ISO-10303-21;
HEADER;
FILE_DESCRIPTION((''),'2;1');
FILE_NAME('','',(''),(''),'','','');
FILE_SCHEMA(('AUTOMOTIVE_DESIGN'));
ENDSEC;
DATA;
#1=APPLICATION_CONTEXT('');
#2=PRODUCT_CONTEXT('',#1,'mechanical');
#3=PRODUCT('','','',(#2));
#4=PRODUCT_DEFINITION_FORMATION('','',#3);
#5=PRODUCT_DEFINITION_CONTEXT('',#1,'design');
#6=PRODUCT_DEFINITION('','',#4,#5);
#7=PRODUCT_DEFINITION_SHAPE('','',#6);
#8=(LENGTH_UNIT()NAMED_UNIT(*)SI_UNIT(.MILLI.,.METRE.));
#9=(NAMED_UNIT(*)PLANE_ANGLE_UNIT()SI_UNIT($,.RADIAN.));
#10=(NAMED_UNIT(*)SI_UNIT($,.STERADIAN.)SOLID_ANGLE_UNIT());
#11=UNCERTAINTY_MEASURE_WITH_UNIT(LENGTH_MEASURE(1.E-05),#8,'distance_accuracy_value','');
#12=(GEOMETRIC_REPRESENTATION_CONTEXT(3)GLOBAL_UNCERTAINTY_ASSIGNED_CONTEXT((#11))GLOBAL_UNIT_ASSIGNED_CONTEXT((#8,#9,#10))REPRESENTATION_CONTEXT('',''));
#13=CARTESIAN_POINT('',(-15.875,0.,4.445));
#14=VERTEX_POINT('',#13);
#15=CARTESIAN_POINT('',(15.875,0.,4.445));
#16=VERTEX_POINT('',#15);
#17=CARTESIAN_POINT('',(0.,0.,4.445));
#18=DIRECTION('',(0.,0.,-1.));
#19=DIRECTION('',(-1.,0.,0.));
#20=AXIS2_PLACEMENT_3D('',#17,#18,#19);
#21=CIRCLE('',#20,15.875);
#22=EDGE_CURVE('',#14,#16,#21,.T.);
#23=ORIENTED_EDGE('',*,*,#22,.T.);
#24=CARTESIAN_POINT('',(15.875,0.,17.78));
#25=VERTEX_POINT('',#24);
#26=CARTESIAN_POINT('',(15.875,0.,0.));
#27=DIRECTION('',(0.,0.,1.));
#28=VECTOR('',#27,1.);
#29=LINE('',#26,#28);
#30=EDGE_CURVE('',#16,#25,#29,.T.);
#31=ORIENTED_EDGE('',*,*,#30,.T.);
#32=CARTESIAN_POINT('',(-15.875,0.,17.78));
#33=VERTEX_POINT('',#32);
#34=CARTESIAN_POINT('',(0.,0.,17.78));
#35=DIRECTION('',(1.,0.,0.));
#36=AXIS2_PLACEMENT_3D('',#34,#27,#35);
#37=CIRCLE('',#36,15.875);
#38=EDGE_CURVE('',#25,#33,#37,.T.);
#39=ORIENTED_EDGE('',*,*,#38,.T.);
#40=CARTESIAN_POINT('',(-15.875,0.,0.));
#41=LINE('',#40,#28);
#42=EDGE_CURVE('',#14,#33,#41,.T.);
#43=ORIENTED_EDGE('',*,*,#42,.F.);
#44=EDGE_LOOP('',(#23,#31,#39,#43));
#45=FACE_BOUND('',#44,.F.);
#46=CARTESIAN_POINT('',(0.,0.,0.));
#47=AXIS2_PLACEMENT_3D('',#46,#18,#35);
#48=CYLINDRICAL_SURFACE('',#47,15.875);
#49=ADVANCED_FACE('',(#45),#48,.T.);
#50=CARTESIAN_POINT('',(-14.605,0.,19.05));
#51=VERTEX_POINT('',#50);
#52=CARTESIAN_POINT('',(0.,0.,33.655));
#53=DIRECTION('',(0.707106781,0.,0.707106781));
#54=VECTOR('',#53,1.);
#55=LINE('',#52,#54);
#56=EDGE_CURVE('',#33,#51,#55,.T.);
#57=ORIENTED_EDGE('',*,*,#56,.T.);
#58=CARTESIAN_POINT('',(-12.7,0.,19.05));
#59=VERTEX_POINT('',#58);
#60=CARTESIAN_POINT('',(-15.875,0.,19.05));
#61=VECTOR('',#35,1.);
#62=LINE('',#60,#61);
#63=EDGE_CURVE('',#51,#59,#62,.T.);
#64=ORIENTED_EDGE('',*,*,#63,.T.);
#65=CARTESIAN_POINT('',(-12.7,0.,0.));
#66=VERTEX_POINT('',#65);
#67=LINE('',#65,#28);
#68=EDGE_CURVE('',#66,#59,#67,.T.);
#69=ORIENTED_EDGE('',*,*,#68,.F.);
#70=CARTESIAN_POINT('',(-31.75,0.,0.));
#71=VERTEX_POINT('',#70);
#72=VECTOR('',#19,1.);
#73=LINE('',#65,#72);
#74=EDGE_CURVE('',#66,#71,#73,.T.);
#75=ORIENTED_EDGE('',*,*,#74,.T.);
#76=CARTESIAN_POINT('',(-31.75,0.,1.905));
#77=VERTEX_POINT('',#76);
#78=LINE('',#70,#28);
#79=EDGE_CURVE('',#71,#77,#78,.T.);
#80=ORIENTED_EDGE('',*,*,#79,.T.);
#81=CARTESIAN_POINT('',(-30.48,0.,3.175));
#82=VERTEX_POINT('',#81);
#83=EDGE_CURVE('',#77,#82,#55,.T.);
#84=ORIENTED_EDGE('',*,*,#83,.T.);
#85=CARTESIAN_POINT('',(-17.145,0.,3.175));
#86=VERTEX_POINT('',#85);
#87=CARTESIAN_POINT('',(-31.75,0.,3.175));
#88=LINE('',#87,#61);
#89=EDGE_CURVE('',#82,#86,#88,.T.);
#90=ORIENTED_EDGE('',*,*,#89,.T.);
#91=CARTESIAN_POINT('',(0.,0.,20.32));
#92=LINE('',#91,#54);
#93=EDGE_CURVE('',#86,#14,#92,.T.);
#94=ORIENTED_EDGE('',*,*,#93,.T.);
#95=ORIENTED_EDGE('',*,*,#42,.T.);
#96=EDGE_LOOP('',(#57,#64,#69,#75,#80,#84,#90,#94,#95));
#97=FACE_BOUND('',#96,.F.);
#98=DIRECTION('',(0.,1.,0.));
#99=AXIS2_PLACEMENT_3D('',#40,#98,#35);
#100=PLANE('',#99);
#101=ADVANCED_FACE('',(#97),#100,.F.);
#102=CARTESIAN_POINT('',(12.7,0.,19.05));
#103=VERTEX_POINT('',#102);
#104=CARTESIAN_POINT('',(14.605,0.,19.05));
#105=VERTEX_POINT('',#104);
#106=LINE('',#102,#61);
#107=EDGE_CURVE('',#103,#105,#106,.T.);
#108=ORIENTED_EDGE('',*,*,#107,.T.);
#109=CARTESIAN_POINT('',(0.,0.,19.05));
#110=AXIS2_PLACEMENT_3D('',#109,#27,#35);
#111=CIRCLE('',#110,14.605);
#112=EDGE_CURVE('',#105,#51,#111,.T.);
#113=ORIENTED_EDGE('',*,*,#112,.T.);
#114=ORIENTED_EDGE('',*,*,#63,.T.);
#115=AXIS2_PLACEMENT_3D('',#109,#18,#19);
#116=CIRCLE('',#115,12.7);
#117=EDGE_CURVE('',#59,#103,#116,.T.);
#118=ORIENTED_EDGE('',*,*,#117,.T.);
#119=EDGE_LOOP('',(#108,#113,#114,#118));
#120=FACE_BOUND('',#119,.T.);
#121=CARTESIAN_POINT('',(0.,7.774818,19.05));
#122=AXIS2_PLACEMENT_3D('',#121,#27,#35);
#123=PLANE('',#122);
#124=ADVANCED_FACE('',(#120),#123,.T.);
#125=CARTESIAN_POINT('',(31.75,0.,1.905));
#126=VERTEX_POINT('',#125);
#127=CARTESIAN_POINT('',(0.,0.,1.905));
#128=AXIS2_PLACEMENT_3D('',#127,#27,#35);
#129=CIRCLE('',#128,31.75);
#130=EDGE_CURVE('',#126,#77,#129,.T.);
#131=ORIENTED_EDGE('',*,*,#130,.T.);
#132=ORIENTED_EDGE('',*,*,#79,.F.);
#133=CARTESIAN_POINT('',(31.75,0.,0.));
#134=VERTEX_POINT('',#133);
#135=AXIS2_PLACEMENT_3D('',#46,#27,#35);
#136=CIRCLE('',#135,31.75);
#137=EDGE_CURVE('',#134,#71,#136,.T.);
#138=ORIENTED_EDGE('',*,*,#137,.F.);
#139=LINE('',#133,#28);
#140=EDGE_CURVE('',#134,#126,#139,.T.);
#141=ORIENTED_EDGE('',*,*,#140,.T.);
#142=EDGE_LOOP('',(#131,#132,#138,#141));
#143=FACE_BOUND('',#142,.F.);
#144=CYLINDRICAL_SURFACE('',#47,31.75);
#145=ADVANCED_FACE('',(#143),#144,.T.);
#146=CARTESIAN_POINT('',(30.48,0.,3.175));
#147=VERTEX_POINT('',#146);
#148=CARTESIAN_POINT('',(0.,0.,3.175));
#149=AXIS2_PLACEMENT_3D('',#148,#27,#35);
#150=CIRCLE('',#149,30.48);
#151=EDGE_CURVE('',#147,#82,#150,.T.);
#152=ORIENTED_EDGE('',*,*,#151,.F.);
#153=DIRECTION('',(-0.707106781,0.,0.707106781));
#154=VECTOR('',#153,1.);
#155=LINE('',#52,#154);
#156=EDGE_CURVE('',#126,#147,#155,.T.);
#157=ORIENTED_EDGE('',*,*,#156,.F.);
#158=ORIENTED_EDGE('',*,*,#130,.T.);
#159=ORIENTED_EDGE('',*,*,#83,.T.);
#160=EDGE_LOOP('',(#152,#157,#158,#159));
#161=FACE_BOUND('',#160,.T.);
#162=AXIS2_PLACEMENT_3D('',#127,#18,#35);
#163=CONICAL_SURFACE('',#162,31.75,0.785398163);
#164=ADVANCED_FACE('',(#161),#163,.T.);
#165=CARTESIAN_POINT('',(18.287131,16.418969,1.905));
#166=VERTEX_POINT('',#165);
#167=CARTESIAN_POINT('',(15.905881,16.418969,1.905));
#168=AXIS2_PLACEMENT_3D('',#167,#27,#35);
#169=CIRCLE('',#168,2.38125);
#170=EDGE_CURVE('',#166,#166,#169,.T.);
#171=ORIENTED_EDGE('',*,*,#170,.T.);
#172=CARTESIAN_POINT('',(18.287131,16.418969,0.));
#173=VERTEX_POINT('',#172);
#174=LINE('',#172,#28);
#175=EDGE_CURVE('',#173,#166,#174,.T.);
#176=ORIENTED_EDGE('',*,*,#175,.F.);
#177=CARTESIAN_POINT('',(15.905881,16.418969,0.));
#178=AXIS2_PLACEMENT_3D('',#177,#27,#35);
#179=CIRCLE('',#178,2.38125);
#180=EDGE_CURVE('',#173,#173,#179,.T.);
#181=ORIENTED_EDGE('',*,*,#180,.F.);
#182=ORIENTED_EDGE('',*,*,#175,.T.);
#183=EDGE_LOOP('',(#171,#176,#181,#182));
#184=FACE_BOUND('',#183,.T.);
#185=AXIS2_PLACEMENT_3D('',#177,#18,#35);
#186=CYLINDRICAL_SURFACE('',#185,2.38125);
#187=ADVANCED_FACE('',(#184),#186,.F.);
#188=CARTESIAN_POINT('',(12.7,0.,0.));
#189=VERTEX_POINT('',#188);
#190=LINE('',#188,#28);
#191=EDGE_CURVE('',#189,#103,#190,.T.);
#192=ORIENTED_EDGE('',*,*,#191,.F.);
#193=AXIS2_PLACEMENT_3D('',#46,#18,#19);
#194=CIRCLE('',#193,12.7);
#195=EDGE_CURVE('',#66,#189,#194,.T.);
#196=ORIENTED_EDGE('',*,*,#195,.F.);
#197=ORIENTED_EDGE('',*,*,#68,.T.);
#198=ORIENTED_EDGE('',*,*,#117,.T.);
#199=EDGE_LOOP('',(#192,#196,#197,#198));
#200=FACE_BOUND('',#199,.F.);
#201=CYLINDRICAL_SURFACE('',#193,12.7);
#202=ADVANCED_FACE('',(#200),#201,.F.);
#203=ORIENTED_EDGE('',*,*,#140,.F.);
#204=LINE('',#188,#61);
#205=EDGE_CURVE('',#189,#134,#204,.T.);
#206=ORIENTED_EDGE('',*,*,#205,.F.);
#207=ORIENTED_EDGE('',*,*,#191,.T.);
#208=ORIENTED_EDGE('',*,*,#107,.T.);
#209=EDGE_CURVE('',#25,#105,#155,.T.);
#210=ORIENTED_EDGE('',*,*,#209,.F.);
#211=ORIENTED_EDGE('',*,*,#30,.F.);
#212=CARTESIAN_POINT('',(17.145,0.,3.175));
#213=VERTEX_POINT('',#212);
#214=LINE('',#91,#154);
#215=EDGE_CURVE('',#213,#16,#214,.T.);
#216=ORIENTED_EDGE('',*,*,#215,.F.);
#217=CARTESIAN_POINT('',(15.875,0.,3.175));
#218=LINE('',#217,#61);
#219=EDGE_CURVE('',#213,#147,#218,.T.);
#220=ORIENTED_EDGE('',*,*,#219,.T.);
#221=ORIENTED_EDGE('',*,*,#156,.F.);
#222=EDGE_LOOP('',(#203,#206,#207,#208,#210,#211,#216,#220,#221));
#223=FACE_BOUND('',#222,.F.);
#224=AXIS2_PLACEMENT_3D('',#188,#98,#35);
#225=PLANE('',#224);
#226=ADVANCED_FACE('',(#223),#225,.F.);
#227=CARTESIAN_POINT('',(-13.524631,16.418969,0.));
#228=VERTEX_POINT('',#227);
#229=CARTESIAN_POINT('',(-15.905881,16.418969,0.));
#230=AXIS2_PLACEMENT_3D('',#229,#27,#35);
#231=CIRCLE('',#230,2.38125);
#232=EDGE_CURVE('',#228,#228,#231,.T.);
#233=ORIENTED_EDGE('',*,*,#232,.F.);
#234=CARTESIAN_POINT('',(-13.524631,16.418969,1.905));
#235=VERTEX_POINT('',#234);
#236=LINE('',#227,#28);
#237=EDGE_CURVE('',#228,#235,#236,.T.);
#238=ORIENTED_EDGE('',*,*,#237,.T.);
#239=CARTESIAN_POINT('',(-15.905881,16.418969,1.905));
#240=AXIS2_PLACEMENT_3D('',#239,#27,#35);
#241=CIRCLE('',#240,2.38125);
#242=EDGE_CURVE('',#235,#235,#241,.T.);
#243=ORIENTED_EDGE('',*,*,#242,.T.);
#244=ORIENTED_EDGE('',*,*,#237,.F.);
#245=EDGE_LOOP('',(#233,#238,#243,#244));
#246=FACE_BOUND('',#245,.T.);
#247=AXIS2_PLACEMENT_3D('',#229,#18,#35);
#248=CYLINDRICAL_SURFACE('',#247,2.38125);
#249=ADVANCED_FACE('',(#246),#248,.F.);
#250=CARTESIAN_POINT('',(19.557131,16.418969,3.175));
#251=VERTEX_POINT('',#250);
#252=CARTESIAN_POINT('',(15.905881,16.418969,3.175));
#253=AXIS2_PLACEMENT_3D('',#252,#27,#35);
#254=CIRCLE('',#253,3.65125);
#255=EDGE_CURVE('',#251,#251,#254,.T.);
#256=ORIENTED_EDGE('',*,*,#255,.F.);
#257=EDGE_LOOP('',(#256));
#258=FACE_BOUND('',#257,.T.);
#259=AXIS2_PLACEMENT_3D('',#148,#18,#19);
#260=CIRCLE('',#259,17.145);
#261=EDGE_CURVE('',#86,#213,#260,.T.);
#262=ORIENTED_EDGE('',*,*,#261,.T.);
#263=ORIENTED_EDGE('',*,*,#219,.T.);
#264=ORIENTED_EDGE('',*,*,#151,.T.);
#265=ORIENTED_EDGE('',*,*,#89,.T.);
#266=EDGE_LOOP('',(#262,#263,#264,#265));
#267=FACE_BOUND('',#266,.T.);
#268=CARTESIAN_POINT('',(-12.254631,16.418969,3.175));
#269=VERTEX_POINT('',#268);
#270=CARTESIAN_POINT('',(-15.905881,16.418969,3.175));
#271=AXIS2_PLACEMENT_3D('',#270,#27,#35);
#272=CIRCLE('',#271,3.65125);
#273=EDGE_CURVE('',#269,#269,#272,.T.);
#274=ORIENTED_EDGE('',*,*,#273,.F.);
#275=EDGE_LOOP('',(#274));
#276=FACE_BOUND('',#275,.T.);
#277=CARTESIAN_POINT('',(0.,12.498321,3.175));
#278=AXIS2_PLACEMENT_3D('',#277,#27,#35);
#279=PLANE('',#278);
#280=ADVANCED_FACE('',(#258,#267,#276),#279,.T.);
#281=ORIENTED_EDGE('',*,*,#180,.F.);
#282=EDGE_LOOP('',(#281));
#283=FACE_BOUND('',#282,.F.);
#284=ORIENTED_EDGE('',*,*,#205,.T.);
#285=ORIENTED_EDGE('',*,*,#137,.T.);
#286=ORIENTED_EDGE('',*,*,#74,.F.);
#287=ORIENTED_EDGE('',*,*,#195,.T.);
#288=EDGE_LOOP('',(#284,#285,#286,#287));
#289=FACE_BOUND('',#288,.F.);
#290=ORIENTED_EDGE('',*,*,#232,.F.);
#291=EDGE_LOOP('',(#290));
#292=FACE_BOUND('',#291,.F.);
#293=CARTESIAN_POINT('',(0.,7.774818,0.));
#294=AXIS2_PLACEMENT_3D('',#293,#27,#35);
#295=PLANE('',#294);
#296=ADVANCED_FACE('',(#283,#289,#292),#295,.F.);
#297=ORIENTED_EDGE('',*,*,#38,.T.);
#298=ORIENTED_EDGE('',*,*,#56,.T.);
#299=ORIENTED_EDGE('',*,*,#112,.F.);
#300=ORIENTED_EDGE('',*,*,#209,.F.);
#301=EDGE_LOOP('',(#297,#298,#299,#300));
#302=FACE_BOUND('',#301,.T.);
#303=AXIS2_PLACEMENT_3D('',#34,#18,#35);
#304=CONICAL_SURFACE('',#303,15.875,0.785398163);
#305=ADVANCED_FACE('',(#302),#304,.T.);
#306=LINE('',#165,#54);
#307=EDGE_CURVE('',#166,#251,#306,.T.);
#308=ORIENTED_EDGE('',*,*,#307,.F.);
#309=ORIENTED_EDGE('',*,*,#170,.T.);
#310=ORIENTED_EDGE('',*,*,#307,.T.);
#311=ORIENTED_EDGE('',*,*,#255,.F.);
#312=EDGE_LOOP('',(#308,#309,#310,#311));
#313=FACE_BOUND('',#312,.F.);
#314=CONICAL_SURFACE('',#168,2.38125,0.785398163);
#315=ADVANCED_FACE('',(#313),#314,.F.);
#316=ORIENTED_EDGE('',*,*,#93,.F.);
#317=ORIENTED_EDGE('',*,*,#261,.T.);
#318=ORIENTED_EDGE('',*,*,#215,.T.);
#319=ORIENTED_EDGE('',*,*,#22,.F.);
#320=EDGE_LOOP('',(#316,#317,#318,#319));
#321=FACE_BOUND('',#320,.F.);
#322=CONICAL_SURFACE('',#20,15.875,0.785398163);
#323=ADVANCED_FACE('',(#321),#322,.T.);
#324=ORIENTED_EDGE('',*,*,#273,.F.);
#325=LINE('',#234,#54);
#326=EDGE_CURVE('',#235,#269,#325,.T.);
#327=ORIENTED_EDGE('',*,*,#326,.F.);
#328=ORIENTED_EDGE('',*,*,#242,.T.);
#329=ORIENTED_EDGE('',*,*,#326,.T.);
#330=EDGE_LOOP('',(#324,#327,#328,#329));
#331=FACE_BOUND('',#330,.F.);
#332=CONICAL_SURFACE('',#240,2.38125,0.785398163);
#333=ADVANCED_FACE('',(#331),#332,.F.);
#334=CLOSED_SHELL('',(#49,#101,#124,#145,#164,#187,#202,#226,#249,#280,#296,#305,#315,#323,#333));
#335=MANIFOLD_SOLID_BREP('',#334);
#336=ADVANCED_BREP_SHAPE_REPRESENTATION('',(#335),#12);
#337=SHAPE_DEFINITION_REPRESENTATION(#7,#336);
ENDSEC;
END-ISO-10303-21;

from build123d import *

# Parameters (mm, degrees)
F0_R     = 2.38125
F1_DEPTH = 3.175
F2_DEPTH = 19.05
F3_SIZE  = 1.27


with BuildPart() as f1:
    # F0 (on Top) → F1 (new body)
    with BuildSketch(Plane.XY):
        with BuildLine():
            Line((15.875, 0), (31.75, 0))
            ThreePointArc((31.75, 0), (0, 31.75), (-31.75, 0))
            Line((-31.75, 0), (-15.875, 0))
            ThreePointArc((-15.875, 0), (0, 15.875), (15.875, 0))
        make_face()
        with Locations((-15.9058814723, 16.4189687431)):
            Circle(F0_R, mode=Mode.SUBTRACT)
        with Locations((15.9058814723, 16.4189687431)):
            Circle(F0_R, mode=Mode.SUBTRACT)
    extrude(amount=F1_DEPTH)

    # F0 (on Top) → F2 (join)
    with BuildSketch(Plane.XY):
        with BuildLine():
            Line((12.7, 0), (15.875, 0))
            ThreePointArc((15.875, 0), (0, 15.875), (-15.875, 0))
            Line((-15.875, 0), (-12.7, 0))
            ThreePointArc((-12.7, 0), (0, 12.7), (12.7, 0))
        make_face()
    extrude(amount=F2_DEPTH)

    # F3
    f3_edges = [f1.edges().sort_by_distance(p)[0] for p in [
        (-18.287131, 16.418969, 3.175),
        (13.524631, 16.418969, 3.175),
        (0, 31.75, 3.175),
        (0, 15.875, 19.05),
        (0, 15.875, 3.175),
    ]]
    chamfer(f3_edges, length=F3_SIZE)


solid = f1.part
